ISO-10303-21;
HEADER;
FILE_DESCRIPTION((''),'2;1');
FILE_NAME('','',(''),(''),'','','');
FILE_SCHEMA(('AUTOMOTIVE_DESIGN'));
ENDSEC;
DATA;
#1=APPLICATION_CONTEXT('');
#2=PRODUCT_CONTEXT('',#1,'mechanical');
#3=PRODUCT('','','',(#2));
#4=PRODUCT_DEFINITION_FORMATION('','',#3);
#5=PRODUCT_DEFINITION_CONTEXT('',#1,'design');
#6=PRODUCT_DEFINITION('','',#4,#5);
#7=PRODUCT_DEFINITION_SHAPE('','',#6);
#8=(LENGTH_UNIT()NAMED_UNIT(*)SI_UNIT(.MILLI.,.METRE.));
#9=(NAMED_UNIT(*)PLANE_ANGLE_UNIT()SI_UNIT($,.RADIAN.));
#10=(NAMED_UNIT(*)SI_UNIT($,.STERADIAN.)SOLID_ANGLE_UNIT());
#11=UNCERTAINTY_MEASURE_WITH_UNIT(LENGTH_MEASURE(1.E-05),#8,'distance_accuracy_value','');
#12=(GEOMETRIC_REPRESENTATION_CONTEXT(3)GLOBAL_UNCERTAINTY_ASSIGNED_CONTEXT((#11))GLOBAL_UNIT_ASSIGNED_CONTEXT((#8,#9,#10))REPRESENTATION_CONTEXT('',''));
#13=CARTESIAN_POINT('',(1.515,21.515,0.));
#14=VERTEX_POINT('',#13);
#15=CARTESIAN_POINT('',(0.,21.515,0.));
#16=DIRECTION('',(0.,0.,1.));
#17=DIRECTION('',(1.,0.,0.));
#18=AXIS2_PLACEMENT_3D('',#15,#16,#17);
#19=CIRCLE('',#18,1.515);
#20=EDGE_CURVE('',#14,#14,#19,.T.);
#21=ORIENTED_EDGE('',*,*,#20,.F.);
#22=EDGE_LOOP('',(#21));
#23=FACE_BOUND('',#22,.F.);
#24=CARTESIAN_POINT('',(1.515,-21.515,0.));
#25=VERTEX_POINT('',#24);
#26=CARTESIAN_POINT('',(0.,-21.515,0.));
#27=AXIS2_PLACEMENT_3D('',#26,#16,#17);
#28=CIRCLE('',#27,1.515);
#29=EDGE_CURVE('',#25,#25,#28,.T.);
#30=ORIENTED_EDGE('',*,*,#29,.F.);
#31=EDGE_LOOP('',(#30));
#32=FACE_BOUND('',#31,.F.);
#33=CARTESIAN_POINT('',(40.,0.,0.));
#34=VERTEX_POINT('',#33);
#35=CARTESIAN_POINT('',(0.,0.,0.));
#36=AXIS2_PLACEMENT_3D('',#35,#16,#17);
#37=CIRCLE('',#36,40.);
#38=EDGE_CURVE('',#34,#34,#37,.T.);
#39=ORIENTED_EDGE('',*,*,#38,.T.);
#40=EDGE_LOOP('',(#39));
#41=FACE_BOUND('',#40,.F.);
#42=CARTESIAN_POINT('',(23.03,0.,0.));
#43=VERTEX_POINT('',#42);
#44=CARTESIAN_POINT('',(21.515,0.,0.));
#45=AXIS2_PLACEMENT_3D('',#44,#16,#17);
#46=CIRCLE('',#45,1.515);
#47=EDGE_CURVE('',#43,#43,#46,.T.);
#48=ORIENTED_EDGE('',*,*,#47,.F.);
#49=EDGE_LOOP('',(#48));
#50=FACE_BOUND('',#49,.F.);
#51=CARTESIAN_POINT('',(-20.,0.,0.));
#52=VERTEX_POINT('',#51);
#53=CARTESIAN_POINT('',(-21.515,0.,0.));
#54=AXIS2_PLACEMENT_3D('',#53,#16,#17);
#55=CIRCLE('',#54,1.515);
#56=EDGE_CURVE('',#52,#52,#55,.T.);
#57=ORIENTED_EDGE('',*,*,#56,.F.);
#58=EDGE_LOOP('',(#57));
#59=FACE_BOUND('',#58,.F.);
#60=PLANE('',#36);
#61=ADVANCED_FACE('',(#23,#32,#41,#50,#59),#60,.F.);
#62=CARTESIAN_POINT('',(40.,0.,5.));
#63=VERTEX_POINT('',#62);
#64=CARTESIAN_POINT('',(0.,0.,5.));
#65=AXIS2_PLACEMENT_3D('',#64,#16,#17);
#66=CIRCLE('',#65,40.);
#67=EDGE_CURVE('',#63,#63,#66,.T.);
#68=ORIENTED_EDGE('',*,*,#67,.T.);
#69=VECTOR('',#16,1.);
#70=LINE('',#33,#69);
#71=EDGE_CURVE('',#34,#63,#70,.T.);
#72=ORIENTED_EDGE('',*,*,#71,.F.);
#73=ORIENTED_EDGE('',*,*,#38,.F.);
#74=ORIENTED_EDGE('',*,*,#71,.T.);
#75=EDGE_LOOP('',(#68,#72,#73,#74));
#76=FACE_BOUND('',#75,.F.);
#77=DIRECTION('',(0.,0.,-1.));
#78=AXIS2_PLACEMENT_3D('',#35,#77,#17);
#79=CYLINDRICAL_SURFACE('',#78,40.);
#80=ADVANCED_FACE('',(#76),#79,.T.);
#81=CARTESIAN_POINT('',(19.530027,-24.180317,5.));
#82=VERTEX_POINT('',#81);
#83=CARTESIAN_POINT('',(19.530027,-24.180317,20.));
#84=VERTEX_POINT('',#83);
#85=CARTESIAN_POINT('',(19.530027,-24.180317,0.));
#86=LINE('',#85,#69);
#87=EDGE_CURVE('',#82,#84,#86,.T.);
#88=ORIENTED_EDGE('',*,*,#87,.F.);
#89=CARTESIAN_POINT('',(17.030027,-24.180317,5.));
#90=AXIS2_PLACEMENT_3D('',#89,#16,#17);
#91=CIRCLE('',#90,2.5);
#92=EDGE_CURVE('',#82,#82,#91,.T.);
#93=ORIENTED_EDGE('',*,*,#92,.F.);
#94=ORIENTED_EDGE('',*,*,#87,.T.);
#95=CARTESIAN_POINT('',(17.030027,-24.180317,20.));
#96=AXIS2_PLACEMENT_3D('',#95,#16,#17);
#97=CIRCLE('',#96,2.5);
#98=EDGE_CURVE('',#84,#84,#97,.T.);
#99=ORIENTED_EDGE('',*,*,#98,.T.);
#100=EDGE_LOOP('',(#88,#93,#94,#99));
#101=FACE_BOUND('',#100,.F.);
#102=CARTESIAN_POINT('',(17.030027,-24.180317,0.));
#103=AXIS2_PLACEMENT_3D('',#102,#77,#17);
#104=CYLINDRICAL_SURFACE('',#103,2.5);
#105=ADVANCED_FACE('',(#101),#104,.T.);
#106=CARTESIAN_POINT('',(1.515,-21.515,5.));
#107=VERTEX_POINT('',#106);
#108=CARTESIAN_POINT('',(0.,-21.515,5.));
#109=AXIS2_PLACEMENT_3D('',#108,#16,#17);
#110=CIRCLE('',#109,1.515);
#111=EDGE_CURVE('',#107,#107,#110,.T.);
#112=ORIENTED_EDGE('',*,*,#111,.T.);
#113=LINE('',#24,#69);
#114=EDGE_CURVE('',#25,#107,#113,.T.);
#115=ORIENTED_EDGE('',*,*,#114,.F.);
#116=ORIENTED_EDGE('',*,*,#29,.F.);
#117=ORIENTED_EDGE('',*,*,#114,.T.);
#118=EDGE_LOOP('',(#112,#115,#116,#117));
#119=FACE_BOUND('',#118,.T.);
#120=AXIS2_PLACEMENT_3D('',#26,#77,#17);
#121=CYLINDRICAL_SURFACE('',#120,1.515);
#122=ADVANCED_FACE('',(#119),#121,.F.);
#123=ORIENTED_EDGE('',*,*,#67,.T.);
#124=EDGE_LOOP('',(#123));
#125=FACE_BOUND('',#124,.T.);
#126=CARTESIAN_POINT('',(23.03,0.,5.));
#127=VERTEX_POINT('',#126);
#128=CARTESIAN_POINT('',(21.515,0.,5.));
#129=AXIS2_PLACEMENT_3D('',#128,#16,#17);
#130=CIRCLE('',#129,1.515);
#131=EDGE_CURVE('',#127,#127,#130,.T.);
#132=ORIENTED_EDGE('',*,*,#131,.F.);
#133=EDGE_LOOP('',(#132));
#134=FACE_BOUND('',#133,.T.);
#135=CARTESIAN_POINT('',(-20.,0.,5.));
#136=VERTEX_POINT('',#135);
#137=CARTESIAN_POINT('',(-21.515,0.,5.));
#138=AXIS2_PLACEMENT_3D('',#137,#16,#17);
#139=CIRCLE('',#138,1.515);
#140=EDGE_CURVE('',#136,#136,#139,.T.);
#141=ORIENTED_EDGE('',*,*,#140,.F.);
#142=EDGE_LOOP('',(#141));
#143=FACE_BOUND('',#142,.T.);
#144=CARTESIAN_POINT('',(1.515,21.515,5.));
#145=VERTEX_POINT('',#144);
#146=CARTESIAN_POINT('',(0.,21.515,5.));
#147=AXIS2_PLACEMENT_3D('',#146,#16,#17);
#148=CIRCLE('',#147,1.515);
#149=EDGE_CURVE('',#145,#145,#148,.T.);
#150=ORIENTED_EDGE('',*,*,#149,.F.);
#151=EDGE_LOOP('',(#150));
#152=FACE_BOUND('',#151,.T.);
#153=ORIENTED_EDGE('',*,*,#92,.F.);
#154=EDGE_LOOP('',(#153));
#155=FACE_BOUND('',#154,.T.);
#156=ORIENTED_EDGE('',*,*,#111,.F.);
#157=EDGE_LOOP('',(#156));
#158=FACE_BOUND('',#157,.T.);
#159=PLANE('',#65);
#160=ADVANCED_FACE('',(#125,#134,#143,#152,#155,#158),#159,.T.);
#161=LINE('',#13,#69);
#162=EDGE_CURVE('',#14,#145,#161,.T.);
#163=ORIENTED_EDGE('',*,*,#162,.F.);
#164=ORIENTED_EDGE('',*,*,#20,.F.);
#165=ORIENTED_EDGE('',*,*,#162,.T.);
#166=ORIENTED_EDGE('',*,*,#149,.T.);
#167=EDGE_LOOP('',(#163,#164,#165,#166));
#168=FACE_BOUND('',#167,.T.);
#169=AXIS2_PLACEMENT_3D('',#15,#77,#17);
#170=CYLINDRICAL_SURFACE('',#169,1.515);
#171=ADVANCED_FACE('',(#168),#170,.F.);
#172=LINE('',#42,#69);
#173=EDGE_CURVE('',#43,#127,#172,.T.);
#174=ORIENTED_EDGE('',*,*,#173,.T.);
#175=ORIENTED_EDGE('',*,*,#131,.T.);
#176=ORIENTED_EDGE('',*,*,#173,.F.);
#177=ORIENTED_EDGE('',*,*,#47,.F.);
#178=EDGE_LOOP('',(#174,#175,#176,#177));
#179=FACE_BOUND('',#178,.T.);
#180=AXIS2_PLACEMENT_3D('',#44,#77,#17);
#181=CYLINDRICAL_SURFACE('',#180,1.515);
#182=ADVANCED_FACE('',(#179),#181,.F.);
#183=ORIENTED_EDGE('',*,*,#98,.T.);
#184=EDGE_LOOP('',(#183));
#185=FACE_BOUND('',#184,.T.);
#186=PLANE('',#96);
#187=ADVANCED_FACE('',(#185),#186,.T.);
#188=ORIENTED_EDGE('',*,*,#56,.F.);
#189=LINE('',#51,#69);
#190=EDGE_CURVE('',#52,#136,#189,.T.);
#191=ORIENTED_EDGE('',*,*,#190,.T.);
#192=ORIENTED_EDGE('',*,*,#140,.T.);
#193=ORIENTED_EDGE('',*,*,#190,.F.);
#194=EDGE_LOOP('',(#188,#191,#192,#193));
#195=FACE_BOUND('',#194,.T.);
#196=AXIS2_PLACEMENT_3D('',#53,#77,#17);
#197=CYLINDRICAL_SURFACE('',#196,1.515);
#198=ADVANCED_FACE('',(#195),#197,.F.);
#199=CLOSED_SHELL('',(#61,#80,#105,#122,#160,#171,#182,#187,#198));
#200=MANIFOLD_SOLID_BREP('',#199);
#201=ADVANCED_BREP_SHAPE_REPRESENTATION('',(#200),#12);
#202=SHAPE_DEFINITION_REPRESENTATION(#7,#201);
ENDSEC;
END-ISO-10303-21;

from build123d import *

# Parameters (mm, degrees)
F0_R     = 40
F0_R_2   = 1.515
F0_R_3   = 2.5
F1_DEPTH = 5
F2_DEPTH = 20


with BuildPart() as f1:
    # F0 (on Top) → F1 (new body)
    with BuildSketch(Plane.XY):
        Circle(F0_R)
        with Locations((0, -21.515)):
            Circle(F0_R_2, mode=Mode.SUBTRACT)
        with Locations((17.030027, -24.180317)):
            Circle(F0_R_3, mode=Mode.SUBTRACT)
        with Locations((-21.515, 0)):
            Circle(F0_R_2, mode=Mode.SUBTRACT)
        with Locations((21.515, 0)):
            Circle(F0_R_2, mode=Mode.SUBTRACT)
        with Locations((0, 21.515)):
            Circle(F0_R_2, mode=Mode.SUBTRACT)
    extrude(amount=F1_DEPTH)

    # F0 (on Top) → F2 (join)
    with BuildSketch(Plane.XY):
        with Locations((17.030027, -24.180317)):
            Circle(F0_R_3)
    extrude(amount=F2_DEPTH)


solid = f1.part
